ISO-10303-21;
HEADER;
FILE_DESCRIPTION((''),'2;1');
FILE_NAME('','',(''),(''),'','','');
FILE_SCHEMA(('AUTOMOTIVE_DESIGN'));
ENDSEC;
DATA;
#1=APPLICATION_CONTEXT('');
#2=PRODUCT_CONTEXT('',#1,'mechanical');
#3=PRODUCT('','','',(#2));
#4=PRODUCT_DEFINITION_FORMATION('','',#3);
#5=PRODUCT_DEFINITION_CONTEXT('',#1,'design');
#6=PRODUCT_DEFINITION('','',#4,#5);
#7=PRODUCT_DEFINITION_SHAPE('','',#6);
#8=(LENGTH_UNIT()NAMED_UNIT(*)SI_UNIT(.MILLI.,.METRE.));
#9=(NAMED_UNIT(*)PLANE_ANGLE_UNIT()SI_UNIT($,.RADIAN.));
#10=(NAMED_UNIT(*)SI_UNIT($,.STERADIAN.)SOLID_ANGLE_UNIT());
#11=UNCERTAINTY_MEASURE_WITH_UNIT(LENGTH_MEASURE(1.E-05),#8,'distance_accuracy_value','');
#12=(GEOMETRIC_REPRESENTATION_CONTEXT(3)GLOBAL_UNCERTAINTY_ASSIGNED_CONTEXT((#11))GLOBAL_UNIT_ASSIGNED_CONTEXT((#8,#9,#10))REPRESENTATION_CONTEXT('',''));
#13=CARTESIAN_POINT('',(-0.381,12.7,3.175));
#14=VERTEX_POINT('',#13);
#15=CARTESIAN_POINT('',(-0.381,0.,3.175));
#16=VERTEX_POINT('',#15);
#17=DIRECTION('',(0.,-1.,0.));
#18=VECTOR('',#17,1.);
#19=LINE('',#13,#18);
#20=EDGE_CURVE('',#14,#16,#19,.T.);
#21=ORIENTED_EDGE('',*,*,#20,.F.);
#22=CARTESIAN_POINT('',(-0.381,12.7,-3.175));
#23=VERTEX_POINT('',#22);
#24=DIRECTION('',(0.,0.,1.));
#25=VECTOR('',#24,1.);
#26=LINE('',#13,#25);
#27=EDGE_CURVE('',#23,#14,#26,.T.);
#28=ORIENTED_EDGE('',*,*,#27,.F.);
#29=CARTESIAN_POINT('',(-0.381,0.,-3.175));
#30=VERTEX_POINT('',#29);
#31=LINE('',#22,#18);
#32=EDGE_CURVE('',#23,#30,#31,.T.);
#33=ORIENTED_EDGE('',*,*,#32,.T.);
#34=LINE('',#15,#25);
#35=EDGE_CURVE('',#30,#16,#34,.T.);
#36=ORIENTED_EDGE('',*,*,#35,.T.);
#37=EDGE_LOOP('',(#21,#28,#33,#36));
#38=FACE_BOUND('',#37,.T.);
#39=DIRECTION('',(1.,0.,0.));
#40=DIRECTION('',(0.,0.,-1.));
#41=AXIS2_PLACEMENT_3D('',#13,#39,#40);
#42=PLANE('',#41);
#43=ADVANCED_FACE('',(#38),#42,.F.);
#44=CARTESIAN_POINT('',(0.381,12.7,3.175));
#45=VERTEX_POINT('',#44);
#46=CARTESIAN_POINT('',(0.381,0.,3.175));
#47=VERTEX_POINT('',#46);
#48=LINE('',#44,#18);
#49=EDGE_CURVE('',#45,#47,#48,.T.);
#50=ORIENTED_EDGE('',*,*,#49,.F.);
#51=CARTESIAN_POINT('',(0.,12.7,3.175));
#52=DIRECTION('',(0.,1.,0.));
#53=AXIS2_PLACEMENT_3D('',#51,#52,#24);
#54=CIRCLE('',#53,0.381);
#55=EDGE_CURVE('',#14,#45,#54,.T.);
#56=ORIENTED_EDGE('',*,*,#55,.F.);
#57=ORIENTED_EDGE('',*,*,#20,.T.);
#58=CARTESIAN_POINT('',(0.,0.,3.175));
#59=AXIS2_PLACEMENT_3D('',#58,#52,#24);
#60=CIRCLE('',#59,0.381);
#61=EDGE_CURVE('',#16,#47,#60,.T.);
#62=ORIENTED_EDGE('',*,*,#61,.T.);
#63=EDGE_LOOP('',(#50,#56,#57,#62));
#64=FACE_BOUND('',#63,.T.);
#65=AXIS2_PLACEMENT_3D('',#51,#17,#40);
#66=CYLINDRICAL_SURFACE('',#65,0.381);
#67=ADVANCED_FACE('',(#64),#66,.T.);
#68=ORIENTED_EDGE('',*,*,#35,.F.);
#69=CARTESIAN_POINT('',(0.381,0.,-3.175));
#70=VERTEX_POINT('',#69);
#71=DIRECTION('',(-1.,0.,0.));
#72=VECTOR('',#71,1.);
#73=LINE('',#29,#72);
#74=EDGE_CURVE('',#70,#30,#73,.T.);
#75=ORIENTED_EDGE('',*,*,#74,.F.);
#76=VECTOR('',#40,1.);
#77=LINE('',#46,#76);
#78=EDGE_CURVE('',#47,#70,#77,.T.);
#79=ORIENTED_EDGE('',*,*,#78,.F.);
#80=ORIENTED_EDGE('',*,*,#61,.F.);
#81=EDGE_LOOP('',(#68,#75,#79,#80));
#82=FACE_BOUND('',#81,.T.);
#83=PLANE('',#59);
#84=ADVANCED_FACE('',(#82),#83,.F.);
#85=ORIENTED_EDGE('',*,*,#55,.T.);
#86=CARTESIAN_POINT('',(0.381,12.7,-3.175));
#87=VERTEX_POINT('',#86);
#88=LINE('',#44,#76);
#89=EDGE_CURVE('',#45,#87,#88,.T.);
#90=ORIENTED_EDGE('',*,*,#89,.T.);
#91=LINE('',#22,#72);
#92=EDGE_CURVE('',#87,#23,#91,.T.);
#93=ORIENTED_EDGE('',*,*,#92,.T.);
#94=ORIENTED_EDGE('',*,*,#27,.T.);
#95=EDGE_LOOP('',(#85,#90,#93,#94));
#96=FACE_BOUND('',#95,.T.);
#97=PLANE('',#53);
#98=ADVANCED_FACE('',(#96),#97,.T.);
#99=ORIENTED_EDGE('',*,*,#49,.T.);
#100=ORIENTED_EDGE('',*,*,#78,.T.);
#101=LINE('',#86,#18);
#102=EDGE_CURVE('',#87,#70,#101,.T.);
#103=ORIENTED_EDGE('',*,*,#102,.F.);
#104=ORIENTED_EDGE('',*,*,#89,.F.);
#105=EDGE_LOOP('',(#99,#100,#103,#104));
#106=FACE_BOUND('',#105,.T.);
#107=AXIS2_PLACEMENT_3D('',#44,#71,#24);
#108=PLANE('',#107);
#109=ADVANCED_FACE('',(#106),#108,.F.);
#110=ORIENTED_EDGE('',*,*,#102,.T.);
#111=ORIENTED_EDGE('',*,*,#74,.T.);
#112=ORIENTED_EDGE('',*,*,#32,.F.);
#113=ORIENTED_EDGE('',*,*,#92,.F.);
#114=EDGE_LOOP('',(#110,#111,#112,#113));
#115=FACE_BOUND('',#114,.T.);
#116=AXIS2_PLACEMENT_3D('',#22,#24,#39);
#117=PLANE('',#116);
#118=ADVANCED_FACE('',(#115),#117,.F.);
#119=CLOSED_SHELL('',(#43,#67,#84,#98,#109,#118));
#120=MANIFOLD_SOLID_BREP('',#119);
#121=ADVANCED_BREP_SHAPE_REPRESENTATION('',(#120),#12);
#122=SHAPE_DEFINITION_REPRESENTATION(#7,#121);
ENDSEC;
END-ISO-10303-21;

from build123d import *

# Parameters (mm, degrees)
BOSS_EXTRUDE1_DEPTH = 12.7


with BuildPart() as part:
    # Sketch1 → Boss-Extrude1 (new body)
    with BuildSketch(Plane(origin=(0, 0, 0), x_dir=(1, 0, 0), z_dir=(0, 1, 0))):
        with BuildLine():
            Line((-0.381, -3.175), (-0.381, 3.175))
            Line((-0.381, 3.175), (0.381, 3.175))
            Line((0.381, 3.175), (0.381, -3.175))
            ThreePointArc((0.381, -3.175), (0, -3.556), (-0.381, -3.175))
        make_face()
    extrude(amount=BOSS_EXTRUDE1_DEPTH)


solid = part.part
